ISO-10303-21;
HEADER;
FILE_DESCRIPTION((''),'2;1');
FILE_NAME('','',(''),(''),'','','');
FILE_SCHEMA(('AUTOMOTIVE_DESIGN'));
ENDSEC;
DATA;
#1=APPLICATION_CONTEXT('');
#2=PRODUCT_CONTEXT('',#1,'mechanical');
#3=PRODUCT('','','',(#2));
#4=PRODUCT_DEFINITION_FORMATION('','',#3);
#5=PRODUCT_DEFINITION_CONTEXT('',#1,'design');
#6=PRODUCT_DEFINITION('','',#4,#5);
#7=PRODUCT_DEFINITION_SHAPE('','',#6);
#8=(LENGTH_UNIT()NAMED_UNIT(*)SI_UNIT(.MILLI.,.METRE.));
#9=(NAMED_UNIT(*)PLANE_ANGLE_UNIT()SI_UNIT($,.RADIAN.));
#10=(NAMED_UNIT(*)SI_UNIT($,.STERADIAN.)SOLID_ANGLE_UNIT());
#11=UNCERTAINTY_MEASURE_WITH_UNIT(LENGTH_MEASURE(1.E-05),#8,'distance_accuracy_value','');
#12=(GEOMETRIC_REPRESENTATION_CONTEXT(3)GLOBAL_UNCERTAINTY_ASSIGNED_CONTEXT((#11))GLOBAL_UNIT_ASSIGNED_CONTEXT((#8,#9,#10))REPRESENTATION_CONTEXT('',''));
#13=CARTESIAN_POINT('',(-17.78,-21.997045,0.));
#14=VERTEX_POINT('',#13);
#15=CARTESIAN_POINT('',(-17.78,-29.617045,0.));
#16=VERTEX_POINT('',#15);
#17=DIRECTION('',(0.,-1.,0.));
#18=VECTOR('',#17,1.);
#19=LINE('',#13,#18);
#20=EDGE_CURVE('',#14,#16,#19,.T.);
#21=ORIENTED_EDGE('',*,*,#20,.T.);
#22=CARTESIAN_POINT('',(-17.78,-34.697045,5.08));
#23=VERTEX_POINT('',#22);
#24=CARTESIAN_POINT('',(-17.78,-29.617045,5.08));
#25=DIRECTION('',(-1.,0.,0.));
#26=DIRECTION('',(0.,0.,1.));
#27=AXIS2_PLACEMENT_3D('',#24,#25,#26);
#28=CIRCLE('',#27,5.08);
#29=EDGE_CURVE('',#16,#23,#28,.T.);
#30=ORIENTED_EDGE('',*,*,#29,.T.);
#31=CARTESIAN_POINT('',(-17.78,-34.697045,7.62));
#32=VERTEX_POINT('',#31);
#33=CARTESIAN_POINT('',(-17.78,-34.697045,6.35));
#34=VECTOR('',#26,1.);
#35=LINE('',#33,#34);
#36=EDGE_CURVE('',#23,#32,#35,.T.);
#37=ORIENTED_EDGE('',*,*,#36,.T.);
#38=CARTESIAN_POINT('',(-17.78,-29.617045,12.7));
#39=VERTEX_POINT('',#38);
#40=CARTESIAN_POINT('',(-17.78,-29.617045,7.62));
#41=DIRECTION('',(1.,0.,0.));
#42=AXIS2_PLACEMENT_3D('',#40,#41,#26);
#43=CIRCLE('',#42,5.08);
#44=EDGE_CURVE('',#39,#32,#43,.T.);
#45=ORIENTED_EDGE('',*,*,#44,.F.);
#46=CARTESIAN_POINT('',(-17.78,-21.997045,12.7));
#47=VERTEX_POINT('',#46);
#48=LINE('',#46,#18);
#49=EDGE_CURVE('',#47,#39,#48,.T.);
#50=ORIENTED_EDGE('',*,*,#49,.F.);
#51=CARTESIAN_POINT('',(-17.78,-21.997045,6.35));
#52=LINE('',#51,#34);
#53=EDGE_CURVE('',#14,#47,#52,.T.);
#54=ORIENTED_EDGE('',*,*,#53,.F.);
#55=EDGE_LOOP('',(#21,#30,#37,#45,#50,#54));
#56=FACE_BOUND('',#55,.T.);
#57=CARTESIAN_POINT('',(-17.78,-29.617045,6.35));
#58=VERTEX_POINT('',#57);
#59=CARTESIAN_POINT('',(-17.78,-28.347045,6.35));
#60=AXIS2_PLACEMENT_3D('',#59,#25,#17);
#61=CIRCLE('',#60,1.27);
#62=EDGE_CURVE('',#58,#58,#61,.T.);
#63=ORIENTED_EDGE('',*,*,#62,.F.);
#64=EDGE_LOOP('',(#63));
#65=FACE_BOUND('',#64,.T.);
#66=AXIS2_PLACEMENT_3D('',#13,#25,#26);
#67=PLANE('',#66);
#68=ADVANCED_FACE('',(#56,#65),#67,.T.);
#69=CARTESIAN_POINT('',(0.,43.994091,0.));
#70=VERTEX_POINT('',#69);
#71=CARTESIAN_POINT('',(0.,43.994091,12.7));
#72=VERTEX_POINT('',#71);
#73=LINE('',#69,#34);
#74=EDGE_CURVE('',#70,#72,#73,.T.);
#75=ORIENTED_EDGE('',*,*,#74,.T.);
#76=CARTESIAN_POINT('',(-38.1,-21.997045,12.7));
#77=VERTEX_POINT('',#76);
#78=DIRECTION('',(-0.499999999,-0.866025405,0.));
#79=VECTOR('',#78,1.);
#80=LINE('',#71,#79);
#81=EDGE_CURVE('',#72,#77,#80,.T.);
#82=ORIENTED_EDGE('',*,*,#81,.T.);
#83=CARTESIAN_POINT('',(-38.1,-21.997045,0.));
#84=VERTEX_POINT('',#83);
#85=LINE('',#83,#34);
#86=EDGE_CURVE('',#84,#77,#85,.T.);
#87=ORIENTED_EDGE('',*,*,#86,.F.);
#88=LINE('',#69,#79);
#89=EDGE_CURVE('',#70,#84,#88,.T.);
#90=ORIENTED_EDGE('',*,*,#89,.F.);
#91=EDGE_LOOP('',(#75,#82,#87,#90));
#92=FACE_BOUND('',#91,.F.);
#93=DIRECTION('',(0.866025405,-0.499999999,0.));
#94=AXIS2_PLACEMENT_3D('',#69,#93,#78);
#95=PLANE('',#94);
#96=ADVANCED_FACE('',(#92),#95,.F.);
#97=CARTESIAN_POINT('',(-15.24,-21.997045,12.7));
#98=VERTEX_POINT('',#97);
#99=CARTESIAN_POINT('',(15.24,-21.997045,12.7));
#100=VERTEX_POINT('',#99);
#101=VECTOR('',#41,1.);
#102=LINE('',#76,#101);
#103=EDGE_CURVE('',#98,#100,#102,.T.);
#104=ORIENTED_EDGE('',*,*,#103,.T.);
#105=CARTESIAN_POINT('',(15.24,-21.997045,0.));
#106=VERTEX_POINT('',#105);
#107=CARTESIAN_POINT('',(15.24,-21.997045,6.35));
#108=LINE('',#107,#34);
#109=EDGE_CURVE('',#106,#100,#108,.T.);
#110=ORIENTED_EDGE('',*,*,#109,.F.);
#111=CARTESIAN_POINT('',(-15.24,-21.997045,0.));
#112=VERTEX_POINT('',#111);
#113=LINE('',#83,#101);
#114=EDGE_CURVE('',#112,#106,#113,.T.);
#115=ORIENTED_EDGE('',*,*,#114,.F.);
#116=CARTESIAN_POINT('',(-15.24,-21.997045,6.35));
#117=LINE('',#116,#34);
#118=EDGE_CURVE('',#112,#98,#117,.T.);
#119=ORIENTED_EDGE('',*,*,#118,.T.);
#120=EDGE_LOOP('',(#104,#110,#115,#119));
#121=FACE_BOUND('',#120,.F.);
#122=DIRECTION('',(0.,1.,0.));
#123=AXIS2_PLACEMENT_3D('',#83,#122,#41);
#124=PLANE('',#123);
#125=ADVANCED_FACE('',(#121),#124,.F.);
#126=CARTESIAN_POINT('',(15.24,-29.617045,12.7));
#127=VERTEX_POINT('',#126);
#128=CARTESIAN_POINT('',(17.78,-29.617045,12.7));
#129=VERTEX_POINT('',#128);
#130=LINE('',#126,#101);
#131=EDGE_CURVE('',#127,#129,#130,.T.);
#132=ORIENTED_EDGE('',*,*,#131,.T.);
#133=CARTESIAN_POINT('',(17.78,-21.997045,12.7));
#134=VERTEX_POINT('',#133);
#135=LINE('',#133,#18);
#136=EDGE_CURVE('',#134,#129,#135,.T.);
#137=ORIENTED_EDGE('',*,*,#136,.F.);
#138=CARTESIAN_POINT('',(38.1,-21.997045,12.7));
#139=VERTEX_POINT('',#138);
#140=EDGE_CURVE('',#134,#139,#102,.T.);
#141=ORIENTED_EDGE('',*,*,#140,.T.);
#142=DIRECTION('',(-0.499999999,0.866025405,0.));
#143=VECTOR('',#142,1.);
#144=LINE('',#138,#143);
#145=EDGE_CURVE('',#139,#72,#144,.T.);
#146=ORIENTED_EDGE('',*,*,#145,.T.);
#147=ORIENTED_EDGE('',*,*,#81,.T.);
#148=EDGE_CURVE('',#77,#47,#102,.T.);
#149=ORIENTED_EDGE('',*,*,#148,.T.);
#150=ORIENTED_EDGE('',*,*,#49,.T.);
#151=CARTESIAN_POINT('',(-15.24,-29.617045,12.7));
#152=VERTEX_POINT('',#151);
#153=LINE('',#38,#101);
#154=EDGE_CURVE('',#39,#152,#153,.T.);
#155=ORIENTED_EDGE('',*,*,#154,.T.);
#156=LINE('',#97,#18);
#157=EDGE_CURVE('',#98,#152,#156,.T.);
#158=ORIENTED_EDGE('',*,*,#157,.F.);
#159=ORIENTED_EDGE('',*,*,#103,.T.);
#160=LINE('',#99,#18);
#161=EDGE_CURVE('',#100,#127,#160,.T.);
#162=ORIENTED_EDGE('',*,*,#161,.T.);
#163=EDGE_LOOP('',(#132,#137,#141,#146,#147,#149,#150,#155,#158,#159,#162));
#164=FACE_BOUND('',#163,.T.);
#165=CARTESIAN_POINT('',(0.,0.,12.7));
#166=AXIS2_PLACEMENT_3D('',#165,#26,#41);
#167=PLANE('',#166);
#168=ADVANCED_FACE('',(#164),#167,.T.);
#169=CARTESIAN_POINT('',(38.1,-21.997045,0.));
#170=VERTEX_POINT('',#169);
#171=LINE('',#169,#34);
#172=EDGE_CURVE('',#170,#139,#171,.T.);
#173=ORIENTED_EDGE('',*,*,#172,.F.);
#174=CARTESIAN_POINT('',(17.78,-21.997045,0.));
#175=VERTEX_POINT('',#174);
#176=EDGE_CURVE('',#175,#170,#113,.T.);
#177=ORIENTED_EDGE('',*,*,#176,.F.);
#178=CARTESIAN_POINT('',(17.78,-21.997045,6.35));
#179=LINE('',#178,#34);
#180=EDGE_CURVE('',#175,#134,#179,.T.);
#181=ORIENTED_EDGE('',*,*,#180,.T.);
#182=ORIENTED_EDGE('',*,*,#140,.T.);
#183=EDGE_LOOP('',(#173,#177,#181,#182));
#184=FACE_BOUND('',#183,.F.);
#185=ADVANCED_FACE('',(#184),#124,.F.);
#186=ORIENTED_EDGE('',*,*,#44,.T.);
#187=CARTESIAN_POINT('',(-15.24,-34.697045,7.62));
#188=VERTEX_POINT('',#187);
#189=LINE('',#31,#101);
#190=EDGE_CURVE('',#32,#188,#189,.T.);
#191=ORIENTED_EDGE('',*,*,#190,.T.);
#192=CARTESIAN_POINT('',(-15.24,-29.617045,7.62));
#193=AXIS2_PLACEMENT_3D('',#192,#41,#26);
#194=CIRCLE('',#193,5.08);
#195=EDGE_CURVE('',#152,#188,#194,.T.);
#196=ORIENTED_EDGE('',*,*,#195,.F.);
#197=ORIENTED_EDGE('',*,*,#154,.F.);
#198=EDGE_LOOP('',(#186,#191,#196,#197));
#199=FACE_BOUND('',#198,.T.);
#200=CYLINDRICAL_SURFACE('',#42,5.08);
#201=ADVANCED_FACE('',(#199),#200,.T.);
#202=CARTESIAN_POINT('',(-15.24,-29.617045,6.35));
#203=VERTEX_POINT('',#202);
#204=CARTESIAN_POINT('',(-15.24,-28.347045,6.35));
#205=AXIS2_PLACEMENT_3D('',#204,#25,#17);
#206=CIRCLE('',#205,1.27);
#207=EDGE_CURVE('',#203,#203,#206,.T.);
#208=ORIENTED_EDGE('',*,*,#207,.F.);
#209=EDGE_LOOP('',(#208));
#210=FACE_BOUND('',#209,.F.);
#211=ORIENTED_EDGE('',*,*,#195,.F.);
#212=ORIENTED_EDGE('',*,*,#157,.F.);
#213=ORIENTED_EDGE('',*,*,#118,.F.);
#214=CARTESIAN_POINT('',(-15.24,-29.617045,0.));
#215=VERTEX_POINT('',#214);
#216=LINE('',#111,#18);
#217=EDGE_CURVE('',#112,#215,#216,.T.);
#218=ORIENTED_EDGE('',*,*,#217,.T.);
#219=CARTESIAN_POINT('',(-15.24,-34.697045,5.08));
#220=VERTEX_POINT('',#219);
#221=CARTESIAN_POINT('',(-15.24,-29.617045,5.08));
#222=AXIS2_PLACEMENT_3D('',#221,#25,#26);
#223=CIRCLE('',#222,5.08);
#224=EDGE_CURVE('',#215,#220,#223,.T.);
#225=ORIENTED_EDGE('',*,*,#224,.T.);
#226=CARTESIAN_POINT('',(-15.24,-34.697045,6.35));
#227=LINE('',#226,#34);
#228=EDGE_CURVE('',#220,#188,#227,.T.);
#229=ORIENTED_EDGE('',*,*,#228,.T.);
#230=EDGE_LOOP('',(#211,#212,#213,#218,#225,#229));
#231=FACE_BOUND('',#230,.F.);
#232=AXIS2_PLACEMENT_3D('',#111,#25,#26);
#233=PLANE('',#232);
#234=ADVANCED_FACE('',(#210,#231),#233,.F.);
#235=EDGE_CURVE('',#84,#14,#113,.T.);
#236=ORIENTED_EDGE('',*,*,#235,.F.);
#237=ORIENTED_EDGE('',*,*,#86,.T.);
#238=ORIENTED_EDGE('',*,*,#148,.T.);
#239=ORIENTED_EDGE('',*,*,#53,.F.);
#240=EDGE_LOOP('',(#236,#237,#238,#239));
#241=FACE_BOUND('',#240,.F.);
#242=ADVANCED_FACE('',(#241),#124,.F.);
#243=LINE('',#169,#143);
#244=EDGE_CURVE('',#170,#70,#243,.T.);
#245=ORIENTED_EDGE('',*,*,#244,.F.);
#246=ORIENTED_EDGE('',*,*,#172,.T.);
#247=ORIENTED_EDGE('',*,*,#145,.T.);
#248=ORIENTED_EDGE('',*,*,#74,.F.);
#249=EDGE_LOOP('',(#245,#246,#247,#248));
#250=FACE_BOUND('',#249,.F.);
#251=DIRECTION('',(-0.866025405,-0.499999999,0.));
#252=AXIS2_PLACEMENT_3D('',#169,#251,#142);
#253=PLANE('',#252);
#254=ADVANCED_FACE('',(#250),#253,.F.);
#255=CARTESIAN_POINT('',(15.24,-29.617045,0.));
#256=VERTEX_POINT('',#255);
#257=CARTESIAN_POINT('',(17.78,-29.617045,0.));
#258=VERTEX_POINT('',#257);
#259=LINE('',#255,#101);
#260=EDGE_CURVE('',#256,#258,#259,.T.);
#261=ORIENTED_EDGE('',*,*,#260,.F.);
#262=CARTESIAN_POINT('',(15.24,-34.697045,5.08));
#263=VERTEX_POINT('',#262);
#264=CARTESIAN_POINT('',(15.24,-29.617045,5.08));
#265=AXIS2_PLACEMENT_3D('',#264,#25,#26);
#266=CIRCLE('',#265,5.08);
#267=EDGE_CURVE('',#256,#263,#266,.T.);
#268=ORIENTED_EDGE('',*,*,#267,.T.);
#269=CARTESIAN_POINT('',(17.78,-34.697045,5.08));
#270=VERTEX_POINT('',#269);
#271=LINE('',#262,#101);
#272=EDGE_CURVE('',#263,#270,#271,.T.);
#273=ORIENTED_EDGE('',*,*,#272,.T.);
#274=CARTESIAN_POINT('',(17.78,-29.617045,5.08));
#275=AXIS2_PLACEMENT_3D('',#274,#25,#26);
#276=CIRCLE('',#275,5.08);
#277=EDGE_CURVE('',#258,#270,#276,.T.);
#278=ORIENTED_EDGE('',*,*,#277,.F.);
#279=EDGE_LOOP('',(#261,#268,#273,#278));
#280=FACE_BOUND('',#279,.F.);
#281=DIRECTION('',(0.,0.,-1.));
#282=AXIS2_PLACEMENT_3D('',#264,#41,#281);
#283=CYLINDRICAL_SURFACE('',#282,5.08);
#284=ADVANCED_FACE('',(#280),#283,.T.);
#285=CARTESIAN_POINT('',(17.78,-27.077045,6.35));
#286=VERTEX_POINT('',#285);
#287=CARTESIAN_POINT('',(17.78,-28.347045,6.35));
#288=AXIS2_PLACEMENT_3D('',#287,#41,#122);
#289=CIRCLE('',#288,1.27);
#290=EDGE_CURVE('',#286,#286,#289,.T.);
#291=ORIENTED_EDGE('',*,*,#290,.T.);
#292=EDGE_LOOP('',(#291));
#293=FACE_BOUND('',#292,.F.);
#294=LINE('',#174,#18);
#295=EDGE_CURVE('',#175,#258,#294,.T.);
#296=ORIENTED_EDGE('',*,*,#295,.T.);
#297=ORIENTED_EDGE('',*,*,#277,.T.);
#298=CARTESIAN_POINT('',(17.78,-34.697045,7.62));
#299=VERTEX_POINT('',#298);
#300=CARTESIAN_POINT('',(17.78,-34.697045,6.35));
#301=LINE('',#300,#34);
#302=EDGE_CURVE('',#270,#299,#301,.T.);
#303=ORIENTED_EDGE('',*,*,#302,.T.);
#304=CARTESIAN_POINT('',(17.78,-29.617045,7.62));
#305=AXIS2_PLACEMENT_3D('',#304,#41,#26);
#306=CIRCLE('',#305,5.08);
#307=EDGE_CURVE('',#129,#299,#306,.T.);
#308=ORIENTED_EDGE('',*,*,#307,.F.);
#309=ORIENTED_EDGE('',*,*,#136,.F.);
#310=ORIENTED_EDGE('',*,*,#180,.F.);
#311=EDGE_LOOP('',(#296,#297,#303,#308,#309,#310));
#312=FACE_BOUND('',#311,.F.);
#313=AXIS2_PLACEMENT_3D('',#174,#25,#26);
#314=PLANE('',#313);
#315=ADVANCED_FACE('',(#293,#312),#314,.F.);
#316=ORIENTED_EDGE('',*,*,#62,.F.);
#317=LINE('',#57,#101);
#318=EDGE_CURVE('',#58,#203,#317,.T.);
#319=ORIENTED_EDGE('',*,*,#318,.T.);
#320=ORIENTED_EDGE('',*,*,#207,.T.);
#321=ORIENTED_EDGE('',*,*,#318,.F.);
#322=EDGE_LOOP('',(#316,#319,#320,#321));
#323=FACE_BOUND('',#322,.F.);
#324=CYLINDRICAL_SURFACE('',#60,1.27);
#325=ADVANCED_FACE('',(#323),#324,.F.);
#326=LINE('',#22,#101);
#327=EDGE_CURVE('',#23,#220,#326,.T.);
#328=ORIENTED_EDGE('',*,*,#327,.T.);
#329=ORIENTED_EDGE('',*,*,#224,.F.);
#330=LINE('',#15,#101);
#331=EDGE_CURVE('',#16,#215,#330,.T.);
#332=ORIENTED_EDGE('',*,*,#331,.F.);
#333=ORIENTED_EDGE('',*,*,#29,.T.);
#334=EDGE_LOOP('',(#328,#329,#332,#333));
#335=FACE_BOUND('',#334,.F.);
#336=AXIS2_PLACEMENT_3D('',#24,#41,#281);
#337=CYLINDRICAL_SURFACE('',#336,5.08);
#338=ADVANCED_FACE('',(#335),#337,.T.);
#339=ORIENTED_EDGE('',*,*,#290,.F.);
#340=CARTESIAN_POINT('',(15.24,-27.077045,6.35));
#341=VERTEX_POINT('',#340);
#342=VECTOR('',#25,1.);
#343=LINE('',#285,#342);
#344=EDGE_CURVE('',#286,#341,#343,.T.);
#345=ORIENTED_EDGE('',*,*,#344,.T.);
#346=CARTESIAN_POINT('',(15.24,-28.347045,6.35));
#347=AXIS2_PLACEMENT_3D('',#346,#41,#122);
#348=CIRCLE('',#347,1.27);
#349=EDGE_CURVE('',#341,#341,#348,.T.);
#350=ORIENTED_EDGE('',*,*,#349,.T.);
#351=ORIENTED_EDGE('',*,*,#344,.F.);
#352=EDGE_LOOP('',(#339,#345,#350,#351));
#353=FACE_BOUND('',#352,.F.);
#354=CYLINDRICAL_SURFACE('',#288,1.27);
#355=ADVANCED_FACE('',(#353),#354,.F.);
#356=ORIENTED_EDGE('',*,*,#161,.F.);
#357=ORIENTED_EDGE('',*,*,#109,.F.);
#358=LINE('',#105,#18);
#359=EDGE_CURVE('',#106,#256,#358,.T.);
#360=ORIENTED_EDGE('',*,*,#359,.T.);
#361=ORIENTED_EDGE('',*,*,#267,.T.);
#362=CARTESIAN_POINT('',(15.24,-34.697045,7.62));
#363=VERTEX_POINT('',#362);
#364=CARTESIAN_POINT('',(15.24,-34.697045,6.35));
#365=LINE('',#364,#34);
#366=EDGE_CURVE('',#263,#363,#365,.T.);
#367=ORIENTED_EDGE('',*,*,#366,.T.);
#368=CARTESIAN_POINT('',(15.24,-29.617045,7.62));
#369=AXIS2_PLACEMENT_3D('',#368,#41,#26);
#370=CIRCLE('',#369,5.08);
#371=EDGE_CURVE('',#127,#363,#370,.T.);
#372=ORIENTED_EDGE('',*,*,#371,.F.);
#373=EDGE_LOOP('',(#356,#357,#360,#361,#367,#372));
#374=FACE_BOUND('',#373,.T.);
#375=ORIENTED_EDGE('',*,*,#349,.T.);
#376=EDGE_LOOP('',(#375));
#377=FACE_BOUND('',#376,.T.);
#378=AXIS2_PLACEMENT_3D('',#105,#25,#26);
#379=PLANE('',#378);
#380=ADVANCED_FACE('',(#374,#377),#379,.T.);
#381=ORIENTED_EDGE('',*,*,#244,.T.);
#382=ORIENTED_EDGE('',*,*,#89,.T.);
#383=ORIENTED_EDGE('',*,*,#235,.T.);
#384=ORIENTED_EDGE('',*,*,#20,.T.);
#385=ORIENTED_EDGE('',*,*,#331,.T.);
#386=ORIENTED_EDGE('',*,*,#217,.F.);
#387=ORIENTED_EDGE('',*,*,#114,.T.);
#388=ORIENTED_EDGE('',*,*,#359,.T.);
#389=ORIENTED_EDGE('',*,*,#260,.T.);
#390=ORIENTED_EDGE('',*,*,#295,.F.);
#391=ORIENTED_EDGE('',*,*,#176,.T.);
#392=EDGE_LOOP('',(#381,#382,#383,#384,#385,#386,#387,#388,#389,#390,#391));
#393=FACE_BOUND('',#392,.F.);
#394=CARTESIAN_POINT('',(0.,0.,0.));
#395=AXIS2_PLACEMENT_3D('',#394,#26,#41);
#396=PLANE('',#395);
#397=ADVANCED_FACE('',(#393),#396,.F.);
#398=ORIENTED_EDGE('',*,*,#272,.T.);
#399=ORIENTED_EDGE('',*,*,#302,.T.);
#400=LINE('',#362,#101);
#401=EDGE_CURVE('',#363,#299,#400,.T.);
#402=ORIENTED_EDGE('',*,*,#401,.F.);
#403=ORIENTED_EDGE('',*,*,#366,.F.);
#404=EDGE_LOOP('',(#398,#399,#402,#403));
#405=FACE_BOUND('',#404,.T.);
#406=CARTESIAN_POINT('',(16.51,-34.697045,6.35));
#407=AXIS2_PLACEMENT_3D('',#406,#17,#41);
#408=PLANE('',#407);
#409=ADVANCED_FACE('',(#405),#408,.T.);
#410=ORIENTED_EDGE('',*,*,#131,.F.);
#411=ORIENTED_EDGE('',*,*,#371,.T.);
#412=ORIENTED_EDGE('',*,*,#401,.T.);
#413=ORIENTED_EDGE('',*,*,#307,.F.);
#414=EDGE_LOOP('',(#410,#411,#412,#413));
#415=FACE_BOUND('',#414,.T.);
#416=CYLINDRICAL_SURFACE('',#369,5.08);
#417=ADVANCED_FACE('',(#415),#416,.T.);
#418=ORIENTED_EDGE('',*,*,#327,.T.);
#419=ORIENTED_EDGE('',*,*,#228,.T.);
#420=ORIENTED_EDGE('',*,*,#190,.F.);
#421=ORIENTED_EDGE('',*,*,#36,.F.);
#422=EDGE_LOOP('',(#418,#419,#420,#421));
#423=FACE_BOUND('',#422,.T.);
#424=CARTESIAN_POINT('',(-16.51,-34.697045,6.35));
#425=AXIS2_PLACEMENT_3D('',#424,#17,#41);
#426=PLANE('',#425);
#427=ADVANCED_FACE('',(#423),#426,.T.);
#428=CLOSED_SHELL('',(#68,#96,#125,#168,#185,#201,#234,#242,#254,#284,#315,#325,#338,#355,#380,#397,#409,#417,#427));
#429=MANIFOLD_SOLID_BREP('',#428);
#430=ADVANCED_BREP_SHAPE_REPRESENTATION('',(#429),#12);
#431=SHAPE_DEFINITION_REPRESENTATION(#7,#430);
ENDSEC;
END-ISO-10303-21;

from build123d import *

# Parameters (mm, degrees)
F1_DEPTH = 12.7
F2_W     = 2.54
F2_H     = 12.7
F3_DEPTH = 12.7
F4_R     = 1.27
F5_DEPTH = 25.4
F6_R     = 1.27
F7_DEPTH = 25.4
F8_R     = 5.08


with BuildPart() as f1:
    # F0 (on Top) → F1 (new body)
    with BuildSketch(Plane.XY):
        Polygon((-38.1, -21.997045), (38.1, -21.997045), (0, 43.994091), align=None)
    extrude(amount=F1_DEPTH)

    # F2 (on face) → F3 (join)
    with BuildSketch(Plane.XZ.offset(21.997045)):
        with Locations((-16.51, 6.35)):
            Rectangle(F2_W, F2_H)
        with Locations((16.51, 6.35)):
            Rectangle(F2_W, F2_H)
    extrude(amount=F3_DEPTH)

    # F4 (on face) → F5 (cut)
    with BuildSketch(Plane.YZ.offset(17.78)):
        with Locations((-28.347045, 6.35)):
            Circle(F4_R)
    extrude(amount=-F5_DEPTH, mode=Mode.SUBTRACT)

    # F6 (on face) → F7 (cut)
    with BuildSketch(Plane(origin=(-17.78, 0, 0), x_dir=(0, -1, 0), z_dir=(-1, 0, 0))):
        with Locations((28.347045, 6.35)):
            Circle(F6_R)
    extrude(amount=-F7_DEPTH, mode=Mode.SUBTRACT)

    # F8
    f8_edges = [f1.edges().sort_by_distance(p)[0] for p in [
        (-16.51, -34.697045, 12.7),
        (-16.51, -34.697045, 0),
        (16.51, -34.697045, 0),
        (16.51, -34.697045, 12.7),
    ]]
    fillet(f8_edges, radius=F8_R)


solid = f1.part
